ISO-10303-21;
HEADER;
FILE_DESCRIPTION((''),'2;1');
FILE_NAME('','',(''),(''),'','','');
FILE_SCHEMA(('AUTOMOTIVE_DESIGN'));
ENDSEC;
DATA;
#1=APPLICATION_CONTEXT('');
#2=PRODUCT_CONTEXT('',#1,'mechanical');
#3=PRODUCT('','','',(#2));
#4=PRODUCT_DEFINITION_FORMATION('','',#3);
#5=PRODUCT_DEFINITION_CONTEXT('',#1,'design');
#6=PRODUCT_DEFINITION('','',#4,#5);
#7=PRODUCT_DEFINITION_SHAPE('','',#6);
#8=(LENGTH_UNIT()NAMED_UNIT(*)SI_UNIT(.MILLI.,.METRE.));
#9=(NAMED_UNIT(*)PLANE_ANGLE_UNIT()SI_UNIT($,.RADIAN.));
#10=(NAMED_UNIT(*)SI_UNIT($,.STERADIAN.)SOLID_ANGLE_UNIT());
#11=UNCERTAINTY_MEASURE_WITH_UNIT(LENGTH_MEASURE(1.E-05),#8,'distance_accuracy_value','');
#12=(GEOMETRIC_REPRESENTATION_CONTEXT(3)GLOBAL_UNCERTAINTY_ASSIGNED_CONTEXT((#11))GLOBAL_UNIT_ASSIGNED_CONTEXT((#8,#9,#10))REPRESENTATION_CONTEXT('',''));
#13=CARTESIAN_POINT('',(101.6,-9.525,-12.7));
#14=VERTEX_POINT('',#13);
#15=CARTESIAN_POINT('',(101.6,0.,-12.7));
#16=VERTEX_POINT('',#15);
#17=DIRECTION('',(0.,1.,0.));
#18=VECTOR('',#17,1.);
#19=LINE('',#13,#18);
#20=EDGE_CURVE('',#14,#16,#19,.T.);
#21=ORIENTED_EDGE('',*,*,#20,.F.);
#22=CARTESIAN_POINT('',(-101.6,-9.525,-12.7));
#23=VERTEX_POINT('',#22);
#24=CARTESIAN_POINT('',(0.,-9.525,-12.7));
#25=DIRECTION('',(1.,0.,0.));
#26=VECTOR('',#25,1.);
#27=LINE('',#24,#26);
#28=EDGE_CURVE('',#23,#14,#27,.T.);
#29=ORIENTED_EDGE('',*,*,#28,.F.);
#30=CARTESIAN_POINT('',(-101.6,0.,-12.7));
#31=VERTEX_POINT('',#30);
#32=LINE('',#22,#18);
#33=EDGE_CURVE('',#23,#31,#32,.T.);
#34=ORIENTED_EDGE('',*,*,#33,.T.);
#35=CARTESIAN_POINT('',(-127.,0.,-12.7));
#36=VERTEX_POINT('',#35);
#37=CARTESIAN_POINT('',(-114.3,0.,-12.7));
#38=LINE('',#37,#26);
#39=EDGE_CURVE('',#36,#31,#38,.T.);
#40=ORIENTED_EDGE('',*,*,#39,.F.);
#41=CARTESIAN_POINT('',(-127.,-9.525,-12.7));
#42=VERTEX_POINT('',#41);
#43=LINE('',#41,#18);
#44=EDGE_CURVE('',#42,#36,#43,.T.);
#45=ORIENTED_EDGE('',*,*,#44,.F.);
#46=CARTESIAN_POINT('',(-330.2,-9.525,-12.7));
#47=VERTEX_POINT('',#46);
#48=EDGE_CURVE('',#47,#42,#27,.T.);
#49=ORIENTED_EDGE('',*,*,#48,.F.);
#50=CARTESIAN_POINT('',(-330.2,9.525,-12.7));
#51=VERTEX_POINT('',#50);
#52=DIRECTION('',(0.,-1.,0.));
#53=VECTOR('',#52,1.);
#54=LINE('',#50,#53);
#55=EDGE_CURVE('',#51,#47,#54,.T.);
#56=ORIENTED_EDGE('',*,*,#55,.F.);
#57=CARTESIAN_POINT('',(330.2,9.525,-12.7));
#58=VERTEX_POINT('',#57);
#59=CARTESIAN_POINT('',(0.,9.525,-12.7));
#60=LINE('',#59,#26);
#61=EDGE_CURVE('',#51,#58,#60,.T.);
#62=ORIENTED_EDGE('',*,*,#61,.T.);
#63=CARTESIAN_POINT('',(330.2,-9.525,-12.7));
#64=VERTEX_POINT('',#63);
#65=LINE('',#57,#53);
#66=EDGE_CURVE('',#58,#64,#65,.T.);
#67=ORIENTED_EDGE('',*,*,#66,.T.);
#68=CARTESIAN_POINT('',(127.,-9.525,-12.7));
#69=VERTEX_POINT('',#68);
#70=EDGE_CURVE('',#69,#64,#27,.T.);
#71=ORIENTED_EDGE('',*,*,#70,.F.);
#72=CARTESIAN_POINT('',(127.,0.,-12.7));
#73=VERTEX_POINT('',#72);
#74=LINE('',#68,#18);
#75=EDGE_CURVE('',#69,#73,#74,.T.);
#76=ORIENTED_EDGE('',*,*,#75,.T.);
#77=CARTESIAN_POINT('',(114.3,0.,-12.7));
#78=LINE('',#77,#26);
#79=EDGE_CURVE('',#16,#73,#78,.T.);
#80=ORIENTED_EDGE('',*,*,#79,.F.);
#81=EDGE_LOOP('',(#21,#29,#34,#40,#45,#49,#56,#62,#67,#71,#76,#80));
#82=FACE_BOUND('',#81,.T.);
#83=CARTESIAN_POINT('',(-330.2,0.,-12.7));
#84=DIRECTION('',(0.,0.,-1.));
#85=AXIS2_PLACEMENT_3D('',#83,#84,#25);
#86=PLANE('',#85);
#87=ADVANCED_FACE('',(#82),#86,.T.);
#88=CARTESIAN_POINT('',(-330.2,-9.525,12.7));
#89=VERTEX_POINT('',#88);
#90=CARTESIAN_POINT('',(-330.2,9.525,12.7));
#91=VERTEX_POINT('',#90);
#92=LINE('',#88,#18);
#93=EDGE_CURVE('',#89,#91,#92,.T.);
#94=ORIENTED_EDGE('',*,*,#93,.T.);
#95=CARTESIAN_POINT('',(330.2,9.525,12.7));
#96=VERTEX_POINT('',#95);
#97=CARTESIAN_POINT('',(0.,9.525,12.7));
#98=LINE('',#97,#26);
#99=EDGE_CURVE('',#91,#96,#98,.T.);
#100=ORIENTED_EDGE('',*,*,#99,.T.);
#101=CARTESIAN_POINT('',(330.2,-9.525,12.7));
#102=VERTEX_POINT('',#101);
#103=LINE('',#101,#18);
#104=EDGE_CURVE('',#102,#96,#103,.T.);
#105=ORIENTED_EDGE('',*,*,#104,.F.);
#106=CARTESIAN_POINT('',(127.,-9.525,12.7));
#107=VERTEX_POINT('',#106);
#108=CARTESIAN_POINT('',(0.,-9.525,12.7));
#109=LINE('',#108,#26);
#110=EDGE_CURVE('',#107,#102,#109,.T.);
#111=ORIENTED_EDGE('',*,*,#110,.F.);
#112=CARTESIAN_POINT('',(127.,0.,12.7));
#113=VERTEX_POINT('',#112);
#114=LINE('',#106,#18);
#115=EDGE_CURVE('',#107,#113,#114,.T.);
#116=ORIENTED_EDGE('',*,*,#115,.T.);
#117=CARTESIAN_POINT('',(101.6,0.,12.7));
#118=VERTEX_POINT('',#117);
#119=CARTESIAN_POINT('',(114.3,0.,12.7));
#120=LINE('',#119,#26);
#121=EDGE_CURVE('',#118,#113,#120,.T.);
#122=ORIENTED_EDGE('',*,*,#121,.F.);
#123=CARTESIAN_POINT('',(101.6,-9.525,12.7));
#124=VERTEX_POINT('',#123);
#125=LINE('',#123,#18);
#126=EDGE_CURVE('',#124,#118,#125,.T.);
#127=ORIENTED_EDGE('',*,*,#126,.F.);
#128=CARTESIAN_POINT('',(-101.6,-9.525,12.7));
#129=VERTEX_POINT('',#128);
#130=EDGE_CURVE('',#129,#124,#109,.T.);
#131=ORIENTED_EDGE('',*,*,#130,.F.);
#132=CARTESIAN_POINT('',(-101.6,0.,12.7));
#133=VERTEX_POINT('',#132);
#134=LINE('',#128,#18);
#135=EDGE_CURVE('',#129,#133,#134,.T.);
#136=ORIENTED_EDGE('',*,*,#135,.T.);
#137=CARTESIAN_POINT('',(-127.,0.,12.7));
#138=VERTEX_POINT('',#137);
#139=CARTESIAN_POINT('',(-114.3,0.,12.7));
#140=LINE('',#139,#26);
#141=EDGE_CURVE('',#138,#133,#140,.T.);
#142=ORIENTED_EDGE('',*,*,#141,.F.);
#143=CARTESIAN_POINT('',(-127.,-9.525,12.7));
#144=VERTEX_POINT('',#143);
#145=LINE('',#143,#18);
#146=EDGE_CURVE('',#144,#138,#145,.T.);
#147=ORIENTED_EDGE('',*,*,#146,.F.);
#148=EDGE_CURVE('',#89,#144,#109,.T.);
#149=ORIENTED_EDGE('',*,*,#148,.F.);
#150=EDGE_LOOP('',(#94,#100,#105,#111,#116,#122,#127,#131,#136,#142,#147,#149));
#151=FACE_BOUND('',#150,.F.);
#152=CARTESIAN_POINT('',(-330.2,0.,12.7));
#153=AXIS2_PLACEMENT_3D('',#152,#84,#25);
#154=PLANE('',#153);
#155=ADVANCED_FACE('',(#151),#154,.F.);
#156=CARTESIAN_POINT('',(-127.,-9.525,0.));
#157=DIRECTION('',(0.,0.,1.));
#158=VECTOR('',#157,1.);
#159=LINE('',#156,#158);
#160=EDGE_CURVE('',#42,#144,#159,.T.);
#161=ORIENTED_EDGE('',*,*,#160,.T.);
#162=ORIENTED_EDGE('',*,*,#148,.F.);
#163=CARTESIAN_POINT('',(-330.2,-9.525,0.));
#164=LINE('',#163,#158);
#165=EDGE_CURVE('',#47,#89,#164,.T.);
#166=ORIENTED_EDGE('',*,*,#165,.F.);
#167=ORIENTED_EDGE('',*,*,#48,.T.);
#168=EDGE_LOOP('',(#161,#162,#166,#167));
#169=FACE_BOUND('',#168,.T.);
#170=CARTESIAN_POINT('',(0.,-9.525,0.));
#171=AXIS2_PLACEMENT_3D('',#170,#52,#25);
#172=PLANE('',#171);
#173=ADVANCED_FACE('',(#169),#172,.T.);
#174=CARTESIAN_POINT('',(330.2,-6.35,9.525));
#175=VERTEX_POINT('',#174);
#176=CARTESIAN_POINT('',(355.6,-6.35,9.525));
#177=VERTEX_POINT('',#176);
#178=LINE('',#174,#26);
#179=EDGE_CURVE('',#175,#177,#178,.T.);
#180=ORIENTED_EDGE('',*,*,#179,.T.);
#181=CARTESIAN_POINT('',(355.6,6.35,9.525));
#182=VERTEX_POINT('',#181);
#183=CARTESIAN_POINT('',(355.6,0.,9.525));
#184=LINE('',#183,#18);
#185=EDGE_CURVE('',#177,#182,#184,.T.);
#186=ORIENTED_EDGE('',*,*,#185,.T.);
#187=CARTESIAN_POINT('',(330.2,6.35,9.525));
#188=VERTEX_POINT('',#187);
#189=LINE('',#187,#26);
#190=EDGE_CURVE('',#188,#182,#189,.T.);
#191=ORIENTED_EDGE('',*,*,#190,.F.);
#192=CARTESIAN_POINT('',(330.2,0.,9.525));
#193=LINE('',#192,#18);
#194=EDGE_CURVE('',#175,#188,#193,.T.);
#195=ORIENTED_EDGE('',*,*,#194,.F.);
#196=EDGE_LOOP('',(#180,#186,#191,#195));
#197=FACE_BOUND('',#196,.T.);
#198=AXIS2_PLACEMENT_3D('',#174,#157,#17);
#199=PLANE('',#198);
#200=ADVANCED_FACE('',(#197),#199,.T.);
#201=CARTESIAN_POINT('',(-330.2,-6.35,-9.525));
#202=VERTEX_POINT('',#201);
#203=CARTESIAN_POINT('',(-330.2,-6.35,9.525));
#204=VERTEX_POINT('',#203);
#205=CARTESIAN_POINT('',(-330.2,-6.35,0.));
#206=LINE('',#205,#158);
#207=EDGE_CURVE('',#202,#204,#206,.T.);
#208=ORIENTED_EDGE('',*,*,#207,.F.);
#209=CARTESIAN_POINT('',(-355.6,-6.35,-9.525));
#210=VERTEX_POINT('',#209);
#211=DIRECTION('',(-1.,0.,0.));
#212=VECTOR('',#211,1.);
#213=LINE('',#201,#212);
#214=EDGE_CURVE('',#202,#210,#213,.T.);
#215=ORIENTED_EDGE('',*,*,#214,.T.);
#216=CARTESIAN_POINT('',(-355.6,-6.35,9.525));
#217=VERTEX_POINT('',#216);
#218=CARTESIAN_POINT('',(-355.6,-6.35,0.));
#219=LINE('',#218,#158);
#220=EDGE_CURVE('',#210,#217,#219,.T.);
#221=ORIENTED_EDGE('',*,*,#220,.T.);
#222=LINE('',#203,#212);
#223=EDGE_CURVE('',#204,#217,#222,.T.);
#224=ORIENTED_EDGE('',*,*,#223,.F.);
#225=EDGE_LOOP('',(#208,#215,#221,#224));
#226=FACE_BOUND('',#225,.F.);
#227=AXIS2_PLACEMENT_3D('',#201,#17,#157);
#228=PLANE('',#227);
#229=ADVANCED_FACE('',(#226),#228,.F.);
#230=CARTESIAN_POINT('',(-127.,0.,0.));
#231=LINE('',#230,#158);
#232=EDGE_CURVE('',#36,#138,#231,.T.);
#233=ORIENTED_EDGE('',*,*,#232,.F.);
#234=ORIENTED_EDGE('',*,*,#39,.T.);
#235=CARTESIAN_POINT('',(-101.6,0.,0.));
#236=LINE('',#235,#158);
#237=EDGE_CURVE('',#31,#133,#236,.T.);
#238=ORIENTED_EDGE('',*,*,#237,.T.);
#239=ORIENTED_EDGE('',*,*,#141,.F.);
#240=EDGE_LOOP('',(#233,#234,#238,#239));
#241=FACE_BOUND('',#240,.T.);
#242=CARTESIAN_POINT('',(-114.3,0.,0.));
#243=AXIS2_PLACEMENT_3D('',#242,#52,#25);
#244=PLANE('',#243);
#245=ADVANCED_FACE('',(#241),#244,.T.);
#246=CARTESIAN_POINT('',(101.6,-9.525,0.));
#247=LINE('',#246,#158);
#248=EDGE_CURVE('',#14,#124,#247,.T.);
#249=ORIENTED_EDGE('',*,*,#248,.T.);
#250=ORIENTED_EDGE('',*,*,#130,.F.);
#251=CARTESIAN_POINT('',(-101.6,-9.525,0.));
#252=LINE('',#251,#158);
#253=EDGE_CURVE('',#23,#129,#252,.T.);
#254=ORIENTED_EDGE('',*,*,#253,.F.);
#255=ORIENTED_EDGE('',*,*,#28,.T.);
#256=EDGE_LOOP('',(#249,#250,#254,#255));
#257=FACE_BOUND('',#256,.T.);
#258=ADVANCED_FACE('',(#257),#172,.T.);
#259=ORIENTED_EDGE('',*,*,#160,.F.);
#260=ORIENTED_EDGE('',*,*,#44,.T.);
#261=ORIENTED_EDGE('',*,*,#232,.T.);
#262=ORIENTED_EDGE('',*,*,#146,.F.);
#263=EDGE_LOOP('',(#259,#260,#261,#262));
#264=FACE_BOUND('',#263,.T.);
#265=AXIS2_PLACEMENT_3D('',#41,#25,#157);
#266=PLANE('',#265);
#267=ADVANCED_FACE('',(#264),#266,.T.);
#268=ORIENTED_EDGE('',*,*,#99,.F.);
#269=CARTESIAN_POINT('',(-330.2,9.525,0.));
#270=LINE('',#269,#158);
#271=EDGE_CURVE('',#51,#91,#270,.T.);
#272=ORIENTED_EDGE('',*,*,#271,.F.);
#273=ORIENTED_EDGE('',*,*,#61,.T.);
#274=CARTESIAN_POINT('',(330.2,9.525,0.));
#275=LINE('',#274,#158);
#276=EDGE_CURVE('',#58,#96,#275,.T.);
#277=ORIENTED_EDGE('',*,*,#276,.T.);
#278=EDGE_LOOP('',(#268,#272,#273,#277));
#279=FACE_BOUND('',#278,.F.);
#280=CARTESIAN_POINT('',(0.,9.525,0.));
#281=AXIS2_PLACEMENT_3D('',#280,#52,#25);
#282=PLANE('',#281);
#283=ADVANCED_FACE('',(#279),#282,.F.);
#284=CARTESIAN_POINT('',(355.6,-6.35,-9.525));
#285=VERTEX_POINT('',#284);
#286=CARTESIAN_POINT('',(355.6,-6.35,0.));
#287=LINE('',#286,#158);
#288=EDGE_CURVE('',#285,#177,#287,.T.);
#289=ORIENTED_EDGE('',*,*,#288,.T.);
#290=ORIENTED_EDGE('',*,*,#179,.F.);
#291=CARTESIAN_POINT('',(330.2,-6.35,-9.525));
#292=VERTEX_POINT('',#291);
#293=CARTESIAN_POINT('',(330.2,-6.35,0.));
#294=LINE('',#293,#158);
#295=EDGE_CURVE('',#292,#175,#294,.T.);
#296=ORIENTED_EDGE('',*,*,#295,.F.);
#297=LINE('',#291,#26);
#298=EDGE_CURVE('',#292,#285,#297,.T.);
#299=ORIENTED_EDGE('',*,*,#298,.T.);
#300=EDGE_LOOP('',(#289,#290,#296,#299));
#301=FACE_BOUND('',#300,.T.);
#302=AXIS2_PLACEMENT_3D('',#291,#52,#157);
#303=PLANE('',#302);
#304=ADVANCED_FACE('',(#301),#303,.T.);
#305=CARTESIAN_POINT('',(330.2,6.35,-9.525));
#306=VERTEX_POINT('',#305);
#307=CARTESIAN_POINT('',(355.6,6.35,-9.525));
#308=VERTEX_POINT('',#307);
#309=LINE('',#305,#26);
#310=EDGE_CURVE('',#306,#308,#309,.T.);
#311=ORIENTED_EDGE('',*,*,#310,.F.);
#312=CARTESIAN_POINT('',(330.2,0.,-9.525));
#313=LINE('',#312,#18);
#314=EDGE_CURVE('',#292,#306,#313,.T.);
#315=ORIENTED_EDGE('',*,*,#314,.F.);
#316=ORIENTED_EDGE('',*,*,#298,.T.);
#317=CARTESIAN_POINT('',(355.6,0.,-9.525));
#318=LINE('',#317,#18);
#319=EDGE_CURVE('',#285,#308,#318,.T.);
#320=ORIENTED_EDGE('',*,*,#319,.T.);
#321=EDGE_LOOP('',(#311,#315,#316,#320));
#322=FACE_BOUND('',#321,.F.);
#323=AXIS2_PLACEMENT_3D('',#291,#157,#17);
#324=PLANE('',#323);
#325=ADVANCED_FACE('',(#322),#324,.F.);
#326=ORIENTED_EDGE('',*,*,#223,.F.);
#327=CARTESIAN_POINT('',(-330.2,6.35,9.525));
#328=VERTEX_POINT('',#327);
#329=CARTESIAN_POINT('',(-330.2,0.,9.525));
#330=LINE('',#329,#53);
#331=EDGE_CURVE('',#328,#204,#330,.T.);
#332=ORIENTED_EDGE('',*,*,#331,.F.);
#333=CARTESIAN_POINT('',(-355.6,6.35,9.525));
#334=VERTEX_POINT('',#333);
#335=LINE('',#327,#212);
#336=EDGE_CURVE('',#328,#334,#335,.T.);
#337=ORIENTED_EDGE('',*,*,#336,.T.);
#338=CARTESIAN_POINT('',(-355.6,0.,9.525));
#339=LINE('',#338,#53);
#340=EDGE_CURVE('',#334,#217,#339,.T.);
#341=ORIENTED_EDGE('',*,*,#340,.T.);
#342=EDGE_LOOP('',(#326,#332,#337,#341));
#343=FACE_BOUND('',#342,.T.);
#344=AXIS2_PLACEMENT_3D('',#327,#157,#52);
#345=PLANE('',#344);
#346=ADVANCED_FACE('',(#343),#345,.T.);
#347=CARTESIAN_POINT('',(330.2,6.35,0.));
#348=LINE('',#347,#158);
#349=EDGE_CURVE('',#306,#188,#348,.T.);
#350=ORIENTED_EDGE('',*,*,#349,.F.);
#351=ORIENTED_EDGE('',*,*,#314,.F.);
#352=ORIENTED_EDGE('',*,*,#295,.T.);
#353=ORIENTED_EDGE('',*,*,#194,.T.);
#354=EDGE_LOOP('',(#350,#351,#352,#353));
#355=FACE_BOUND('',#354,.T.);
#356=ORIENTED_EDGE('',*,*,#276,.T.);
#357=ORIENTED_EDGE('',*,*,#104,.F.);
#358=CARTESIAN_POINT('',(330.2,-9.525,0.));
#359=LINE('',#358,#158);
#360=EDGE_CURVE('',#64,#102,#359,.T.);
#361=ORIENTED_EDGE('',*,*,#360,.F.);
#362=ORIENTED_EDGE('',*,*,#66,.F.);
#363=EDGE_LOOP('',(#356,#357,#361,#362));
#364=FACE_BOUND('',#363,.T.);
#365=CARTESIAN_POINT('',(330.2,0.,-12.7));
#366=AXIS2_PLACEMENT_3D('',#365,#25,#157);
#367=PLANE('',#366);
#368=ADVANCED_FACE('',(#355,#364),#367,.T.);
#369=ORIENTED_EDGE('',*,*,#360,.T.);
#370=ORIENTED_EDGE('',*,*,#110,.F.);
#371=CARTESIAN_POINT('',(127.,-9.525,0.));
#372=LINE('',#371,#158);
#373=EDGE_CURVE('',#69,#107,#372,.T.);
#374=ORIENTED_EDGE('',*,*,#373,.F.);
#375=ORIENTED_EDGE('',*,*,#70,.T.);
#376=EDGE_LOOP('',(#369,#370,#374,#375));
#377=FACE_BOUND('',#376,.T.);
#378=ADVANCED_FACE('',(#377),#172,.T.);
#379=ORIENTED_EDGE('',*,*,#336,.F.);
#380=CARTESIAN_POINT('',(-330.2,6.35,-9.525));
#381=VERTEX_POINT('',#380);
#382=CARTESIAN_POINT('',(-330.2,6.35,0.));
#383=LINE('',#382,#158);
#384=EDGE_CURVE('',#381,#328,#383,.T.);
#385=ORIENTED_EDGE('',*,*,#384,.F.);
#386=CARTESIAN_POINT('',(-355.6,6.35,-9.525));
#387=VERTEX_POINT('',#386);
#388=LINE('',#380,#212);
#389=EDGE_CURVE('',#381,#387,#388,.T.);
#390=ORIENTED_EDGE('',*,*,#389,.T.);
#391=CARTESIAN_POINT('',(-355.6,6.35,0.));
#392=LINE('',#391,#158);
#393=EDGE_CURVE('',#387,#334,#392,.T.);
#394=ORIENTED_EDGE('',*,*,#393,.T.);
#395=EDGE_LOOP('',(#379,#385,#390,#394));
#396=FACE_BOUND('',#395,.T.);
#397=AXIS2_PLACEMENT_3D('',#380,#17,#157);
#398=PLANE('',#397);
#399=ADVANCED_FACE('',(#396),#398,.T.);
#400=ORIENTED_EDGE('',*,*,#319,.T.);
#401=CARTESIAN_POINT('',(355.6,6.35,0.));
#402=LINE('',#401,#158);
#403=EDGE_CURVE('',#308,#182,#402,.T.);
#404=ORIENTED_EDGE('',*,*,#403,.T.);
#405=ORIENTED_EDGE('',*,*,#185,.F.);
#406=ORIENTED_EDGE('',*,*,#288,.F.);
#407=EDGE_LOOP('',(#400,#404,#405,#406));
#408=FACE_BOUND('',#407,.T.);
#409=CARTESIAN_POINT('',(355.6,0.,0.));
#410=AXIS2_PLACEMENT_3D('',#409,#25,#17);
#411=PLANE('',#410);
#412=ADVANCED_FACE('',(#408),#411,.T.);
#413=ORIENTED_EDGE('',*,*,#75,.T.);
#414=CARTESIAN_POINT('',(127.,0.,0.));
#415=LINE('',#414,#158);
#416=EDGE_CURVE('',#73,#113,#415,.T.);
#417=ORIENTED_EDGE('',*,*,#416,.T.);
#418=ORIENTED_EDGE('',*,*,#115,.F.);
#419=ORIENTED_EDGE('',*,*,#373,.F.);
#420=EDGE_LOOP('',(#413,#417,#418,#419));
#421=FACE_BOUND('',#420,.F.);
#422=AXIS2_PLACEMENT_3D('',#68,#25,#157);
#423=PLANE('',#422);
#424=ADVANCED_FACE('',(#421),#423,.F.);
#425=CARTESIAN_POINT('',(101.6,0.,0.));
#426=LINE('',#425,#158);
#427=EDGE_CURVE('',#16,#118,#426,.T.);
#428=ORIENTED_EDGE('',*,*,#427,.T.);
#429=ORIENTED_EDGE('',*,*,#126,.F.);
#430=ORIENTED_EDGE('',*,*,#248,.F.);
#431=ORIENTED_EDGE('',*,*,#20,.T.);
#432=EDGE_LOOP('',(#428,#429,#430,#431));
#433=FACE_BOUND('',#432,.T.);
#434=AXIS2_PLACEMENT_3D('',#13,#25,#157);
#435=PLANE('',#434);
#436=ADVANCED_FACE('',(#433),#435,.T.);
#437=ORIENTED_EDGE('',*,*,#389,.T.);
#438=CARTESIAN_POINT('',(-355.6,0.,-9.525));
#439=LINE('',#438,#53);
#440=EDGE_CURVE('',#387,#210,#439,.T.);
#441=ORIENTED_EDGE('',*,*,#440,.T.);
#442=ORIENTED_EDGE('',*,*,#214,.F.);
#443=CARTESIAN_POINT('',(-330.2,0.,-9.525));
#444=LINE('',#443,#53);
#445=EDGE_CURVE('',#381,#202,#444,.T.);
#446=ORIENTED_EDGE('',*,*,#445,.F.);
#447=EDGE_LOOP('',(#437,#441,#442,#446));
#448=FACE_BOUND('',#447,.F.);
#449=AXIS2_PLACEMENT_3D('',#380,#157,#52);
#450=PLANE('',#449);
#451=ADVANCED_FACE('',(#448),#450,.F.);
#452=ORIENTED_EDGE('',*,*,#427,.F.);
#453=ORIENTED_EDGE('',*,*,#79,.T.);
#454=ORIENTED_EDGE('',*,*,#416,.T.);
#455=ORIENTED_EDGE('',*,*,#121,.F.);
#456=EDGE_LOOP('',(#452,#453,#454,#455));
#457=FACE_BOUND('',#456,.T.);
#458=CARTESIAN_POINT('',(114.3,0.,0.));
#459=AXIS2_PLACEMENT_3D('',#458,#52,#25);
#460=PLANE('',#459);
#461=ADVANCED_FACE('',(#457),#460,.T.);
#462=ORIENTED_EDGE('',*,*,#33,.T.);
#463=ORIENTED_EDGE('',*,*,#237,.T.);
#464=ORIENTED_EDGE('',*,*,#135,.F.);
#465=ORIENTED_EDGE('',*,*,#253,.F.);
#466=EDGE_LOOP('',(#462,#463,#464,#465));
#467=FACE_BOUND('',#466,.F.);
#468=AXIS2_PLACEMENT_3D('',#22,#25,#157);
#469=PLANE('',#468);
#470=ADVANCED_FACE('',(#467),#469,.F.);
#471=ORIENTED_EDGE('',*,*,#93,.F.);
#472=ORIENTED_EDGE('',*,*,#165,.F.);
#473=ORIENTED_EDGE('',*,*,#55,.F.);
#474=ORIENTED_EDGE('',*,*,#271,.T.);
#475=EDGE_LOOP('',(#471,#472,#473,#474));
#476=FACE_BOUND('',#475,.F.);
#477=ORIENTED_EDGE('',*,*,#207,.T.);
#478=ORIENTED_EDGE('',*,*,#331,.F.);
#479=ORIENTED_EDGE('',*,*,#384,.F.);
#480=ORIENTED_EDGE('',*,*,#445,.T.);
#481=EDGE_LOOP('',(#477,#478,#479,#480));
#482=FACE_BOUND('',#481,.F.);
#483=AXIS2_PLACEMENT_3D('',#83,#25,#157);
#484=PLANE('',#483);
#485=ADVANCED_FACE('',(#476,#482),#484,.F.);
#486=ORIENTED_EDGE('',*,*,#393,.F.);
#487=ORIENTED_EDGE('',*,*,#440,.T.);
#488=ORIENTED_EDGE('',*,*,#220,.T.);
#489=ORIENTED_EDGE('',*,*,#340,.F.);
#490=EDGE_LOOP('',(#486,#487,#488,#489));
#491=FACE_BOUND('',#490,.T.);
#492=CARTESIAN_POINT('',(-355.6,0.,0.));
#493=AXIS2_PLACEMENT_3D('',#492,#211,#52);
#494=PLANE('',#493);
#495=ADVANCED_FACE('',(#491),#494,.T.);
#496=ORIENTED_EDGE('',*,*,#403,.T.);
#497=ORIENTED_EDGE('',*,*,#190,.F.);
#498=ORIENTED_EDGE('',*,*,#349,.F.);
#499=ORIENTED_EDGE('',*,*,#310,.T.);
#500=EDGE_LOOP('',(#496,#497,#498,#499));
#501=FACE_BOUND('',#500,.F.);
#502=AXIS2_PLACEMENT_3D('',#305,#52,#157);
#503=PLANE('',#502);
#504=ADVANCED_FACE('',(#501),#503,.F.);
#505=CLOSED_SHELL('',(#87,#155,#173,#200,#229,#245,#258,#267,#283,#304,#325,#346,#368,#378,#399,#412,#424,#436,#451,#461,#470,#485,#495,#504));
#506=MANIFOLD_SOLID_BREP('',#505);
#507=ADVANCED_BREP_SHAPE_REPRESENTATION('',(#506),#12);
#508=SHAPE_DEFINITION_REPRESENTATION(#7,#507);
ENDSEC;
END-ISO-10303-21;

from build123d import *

# Parameters (mm, degrees)
F0_W     = 660.4
F0_H     = 25.4
F1_DEPTH = 9.525
F2_W     = 25.4
F2_H     = 25.4
F3_DEPTH = 9.525
F4_DEPTH = 9.525
F5_W     = 12.7
F5_H     = 19.05
F7_DEPTH = 25.4
F6_W     = 12.7
F6_H     = 19.05
F8_DEPTH = 25.4


with BuildPart() as f1:
    # F0 (on Front) → F1 (new body, symmetric)
    with BuildSketch(Plane.XZ):
        Rectangle(F0_W, F0_H)
    extrude(amount=F1_DEPTH, both=True)

    # F2 (on face) → F3 (cut)
    with BuildSketch(Plane.XZ.offset(9.525)):
        with Locations((-114.3, 0)):
            Rectangle(F2_W, F2_H)
    extrude(amount=-F3_DEPTH, mode=Mode.SUBTRACT)

    # F2 (on face) → F4 (cut)
    with BuildSketch(Plane.XZ.offset(9.525)):
        with Locations((114.3, 0)):
            Rectangle(F2_W, F2_H)
    extrude(amount=-F4_DEPTH, mode=Mode.SUBTRACT)

    # F5 (on face) → F7 (join)
    with BuildSketch(Plane(origin=(-330.2, 0, 0), x_dir=(0, -1, 0), z_dir=(-1, 0, 0))):
        Rectangle(F5_W, F5_H)
    extrude(amount=F7_DEPTH)

    # F6 (on face) → F8 (join)
    with BuildSketch(Plane.YZ.offset(330.2)):
        Rectangle(F6_W, F6_H)
    extrude(amount=F8_DEPTH)


solid = f1.part
